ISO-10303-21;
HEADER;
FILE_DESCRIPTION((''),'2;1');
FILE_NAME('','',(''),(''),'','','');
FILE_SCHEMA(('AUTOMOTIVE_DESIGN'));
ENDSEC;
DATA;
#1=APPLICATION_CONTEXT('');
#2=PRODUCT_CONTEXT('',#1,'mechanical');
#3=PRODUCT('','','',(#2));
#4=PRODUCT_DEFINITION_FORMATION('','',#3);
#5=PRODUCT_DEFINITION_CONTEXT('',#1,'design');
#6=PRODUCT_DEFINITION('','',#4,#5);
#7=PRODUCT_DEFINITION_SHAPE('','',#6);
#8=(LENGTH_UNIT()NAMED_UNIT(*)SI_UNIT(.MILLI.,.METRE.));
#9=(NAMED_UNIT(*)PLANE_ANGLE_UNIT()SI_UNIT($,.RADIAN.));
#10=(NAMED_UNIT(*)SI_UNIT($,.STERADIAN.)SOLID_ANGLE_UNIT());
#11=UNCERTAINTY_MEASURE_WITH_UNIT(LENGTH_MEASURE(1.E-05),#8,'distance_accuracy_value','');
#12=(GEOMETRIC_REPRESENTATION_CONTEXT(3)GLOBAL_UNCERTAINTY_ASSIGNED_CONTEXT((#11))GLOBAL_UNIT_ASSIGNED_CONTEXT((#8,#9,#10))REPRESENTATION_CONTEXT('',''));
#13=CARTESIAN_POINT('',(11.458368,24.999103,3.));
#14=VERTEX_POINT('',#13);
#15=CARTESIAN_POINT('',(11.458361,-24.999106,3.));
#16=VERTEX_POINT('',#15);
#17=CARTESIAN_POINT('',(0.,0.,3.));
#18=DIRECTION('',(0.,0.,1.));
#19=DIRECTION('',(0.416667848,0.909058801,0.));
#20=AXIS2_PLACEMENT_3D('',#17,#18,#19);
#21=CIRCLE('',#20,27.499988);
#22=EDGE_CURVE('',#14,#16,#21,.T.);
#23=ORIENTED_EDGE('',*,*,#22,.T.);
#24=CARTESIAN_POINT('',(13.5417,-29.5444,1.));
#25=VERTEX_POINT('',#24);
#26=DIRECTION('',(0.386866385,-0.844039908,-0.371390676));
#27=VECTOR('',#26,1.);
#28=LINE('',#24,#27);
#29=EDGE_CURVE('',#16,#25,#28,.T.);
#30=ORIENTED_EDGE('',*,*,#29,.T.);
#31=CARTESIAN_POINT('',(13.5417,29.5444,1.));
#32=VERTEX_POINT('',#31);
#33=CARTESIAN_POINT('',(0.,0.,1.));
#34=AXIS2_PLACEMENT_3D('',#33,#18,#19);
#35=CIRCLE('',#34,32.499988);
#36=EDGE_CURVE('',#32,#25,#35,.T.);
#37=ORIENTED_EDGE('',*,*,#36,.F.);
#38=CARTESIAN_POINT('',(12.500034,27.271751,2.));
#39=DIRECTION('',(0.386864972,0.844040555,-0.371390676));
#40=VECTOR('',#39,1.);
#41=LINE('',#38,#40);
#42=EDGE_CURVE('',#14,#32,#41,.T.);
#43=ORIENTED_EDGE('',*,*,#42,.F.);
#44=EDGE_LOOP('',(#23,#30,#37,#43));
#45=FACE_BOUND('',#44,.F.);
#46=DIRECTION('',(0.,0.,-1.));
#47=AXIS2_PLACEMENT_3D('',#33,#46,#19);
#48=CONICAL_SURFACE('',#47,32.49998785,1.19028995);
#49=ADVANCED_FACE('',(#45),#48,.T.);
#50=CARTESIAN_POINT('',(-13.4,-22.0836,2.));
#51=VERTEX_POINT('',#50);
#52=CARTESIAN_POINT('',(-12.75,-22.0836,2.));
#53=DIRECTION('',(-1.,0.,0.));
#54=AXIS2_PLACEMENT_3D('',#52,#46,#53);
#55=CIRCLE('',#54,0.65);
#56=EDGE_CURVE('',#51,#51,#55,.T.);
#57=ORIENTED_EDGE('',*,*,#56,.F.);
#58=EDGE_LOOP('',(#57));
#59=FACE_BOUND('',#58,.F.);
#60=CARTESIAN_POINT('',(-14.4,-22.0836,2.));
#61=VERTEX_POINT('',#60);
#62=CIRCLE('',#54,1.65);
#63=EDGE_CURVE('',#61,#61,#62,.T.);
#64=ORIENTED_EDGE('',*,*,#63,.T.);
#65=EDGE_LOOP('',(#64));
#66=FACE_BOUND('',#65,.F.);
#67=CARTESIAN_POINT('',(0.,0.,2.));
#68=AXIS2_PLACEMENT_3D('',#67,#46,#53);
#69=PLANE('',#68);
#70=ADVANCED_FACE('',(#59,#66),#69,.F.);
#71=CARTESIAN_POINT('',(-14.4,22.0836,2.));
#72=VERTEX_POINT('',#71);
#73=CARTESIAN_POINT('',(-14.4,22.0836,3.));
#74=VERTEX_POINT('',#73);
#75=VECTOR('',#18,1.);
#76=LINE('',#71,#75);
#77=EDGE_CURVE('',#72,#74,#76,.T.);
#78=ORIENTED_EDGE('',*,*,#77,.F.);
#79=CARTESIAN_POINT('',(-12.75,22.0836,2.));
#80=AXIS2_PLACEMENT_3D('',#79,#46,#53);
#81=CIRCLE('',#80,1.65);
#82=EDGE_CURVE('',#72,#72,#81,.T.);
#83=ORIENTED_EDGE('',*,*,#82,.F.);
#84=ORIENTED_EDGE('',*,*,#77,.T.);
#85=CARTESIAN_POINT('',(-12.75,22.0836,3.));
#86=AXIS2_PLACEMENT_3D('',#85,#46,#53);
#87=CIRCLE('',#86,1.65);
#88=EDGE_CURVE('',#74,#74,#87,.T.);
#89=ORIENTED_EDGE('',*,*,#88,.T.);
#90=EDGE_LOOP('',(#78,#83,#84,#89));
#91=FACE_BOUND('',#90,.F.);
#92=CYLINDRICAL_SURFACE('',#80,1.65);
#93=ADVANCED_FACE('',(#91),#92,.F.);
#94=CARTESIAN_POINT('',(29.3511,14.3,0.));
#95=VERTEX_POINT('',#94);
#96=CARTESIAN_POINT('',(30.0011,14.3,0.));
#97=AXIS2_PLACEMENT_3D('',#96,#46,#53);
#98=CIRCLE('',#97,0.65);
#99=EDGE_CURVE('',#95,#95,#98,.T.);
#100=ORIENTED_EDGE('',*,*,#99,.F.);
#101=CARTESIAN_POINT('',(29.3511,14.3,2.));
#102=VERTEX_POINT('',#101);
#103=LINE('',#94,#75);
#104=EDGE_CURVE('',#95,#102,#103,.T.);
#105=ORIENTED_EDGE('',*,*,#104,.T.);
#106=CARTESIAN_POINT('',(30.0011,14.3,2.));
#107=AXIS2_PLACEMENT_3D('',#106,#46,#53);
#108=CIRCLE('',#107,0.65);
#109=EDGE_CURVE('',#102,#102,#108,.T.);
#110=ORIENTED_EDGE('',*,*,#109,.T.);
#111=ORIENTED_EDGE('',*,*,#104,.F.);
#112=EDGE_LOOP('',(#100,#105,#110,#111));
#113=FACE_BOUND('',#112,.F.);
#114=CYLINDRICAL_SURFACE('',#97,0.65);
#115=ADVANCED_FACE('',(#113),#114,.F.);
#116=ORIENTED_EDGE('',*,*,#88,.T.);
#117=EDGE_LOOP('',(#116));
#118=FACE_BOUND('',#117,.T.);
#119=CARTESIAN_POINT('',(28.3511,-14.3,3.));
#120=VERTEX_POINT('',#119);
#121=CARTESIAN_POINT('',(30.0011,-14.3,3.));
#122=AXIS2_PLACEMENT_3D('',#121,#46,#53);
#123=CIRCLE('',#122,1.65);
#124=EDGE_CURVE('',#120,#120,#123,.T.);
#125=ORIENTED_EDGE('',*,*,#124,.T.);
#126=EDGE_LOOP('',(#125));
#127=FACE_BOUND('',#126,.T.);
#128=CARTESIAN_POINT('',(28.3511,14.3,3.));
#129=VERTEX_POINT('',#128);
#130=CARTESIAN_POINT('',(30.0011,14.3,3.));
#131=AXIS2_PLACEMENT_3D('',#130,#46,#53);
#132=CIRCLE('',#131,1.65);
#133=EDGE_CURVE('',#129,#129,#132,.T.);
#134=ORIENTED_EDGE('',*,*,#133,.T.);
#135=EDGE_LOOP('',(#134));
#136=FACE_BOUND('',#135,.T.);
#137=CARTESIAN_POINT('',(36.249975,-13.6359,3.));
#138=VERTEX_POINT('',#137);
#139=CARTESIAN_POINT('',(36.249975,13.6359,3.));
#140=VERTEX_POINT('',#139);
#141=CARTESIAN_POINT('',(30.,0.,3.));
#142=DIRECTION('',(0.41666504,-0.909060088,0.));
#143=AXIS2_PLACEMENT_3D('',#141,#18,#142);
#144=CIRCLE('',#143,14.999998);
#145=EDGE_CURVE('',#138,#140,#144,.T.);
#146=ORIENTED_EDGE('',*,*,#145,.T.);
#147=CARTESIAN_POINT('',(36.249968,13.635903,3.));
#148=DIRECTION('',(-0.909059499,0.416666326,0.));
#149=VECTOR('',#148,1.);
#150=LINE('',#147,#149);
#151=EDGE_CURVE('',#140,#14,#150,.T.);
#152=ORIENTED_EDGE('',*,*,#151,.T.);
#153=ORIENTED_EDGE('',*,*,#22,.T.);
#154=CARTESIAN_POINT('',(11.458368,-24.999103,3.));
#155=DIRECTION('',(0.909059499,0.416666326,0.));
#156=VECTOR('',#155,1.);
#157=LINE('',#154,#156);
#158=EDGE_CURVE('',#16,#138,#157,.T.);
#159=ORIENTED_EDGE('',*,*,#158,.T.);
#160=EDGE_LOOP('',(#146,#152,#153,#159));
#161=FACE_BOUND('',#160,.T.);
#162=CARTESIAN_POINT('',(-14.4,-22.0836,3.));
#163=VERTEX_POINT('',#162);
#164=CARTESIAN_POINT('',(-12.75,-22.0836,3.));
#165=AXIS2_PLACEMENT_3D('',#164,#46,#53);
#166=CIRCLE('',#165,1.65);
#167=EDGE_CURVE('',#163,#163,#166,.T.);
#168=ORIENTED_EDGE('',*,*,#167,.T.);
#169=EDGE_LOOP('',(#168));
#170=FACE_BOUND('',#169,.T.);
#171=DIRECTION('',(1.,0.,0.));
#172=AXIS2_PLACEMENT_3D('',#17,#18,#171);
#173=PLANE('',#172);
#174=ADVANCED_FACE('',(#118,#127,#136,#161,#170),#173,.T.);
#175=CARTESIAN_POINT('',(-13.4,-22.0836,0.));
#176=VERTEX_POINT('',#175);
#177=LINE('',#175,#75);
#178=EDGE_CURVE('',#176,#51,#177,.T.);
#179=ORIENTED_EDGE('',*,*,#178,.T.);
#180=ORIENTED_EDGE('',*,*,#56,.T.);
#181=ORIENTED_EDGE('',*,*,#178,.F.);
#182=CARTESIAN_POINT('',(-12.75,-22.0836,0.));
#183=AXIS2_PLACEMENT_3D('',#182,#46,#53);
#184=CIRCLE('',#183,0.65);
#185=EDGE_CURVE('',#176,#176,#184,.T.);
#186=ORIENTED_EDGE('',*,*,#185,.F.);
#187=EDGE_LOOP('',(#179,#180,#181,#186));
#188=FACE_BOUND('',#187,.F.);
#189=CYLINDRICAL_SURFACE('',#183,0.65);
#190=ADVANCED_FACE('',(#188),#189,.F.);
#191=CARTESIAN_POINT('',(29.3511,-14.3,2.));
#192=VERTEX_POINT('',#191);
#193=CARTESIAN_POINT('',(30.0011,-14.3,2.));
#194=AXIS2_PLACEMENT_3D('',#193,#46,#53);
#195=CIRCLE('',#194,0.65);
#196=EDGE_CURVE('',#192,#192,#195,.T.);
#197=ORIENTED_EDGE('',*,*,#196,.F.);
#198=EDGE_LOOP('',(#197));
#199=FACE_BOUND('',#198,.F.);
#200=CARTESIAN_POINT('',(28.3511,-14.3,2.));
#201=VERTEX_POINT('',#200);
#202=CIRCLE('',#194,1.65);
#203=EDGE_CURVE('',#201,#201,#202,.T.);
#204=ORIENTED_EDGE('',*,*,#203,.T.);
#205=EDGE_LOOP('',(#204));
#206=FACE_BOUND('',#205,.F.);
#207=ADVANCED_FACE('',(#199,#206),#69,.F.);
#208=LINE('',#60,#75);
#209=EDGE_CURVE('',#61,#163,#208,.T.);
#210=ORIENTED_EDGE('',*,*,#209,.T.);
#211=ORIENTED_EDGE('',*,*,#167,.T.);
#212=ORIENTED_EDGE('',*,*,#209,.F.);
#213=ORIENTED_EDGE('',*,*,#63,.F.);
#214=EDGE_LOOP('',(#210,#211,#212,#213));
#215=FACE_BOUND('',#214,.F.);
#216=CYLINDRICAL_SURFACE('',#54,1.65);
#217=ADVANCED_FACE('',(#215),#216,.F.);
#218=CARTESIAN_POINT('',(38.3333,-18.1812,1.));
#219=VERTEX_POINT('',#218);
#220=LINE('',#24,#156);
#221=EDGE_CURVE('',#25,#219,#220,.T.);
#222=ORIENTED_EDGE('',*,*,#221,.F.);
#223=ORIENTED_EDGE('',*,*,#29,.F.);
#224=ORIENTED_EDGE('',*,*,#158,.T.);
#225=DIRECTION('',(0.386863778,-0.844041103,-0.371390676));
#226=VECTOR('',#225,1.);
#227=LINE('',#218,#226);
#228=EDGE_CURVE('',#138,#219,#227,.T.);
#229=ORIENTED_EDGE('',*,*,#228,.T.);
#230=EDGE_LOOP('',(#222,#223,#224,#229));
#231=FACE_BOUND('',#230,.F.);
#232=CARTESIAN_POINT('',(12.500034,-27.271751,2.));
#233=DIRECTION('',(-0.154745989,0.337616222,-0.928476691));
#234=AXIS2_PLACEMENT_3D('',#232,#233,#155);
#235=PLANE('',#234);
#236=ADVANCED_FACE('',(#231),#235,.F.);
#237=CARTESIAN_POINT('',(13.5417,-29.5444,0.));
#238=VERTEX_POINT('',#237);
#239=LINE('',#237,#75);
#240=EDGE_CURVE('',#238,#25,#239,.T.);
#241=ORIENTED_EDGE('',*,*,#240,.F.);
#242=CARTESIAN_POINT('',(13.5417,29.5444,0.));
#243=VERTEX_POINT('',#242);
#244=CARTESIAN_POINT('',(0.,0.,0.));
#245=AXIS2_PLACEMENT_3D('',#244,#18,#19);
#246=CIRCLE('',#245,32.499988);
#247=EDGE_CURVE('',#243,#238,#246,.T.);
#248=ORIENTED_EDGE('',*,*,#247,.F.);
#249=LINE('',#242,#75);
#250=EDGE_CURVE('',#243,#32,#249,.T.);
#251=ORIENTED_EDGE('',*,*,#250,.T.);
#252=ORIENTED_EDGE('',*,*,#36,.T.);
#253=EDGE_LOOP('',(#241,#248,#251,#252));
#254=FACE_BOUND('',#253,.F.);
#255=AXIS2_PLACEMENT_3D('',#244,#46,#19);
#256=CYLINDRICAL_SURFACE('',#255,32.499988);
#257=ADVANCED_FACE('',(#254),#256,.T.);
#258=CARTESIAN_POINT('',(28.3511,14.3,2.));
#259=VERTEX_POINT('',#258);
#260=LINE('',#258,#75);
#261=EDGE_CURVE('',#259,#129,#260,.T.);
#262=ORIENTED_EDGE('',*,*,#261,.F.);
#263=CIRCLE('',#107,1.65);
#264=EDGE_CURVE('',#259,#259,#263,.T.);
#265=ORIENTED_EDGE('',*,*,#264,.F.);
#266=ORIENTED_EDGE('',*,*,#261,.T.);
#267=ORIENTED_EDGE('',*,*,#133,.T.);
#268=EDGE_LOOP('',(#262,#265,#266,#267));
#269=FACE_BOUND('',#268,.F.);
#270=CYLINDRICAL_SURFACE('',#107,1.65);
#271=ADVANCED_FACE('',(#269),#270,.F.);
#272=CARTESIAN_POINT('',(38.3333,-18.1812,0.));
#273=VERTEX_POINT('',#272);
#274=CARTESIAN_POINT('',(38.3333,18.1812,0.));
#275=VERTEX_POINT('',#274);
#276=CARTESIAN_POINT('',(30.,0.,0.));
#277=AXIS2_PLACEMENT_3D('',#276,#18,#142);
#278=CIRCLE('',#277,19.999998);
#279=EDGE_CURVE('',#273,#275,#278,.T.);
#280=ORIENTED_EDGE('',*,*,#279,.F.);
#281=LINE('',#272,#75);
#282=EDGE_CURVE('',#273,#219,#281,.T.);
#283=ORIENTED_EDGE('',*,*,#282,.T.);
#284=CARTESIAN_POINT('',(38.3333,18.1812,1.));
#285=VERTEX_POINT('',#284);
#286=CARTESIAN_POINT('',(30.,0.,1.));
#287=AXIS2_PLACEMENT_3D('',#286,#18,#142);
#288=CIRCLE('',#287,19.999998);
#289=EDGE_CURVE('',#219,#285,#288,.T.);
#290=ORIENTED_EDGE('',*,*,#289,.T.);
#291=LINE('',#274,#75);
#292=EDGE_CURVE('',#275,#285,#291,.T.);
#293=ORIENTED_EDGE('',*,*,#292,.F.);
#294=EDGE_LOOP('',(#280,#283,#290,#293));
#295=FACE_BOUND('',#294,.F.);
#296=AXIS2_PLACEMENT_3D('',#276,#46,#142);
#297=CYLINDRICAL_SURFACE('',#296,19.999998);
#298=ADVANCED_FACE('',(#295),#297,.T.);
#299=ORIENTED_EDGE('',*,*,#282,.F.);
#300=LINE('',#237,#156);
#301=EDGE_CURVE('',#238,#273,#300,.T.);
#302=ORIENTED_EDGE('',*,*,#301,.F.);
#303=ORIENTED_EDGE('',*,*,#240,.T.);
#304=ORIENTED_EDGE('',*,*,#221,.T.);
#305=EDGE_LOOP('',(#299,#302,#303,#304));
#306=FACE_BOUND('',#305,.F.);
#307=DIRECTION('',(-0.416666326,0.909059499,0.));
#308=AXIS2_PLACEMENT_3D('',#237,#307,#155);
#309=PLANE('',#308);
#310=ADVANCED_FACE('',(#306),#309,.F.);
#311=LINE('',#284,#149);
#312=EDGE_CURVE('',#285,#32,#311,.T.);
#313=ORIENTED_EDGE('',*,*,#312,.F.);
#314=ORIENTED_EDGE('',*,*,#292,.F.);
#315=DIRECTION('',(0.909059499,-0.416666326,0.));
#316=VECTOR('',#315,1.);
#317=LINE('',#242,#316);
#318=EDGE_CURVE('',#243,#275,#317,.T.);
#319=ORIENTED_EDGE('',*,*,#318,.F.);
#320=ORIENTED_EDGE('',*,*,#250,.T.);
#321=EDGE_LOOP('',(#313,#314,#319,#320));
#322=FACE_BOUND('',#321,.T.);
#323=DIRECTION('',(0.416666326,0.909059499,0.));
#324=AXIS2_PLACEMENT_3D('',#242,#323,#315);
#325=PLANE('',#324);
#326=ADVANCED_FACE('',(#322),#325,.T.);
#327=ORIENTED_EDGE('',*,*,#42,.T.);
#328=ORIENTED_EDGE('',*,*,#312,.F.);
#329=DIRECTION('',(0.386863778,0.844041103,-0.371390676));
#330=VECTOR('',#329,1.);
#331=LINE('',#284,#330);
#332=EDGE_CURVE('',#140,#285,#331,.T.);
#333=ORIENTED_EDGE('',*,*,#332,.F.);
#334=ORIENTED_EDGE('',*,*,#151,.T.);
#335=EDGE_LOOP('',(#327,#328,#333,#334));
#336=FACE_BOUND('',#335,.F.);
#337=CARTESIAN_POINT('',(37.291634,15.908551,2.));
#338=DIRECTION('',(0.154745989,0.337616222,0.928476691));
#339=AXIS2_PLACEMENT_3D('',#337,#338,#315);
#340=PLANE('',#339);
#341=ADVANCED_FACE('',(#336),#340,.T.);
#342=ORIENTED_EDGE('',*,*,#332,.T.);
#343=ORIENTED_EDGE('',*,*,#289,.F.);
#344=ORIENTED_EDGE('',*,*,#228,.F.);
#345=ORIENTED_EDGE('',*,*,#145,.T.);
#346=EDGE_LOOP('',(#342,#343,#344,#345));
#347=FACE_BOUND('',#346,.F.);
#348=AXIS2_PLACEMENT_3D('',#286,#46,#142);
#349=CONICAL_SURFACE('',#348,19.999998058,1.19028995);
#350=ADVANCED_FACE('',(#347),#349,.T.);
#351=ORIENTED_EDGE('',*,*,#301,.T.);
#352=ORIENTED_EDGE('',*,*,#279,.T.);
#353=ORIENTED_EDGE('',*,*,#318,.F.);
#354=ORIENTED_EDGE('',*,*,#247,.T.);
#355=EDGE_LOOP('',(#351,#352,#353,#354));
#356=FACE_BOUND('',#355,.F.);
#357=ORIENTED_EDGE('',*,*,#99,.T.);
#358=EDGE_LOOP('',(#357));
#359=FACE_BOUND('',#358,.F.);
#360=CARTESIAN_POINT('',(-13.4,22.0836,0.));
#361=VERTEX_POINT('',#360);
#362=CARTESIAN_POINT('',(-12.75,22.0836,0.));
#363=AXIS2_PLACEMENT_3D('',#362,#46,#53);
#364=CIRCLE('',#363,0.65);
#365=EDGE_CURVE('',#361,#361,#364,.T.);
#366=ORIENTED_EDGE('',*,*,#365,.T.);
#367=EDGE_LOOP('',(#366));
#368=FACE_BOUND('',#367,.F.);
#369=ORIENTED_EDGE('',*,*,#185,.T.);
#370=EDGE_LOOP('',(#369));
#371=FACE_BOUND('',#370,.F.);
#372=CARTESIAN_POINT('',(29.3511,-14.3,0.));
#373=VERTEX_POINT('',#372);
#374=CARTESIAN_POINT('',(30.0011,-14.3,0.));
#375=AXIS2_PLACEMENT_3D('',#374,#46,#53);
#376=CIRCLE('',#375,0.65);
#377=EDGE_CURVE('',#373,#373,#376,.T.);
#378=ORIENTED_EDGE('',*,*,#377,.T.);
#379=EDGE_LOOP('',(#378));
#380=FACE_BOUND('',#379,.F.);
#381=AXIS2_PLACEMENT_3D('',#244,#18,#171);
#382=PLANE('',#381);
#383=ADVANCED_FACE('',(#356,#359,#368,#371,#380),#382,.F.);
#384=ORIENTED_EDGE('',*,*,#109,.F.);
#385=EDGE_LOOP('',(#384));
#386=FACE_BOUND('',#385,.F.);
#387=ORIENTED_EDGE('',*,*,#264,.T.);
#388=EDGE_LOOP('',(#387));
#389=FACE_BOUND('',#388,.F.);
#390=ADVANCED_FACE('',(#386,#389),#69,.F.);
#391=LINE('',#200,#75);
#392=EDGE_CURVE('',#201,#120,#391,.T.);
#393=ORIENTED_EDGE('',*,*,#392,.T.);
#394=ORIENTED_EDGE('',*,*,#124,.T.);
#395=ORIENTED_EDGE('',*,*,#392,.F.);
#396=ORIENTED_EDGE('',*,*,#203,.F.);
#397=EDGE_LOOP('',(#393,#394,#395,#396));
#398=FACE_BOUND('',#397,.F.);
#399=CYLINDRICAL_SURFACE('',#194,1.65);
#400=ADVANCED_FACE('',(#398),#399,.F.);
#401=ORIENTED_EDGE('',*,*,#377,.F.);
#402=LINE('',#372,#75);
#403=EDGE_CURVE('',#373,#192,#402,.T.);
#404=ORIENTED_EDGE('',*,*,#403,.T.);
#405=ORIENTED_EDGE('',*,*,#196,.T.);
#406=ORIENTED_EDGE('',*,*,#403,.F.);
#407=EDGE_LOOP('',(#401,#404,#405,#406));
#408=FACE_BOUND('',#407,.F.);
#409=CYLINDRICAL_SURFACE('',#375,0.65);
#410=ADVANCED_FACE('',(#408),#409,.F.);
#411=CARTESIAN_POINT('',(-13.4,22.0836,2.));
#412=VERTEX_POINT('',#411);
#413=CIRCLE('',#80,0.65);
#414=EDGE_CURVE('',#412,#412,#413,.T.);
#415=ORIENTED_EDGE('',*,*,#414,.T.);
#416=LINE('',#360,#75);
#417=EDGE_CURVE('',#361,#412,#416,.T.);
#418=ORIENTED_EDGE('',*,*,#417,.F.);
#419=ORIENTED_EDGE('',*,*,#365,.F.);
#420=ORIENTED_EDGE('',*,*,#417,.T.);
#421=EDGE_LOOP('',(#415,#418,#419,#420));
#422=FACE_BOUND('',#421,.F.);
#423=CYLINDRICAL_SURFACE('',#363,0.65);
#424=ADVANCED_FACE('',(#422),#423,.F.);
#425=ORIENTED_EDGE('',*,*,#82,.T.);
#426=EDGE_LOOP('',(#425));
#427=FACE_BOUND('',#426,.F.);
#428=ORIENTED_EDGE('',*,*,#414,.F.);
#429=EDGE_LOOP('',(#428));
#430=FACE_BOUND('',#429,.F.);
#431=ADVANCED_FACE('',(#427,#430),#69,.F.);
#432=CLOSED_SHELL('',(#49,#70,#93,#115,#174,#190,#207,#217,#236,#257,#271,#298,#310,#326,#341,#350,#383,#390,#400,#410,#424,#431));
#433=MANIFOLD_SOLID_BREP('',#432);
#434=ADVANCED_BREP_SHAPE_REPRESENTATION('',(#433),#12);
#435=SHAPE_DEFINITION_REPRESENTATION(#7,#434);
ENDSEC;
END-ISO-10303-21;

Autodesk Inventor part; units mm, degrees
ref_plane "YZ Plane" through (0, 0, 0) normal (1, 0, 0) x (0, 1, 0)
ref_plane "XZ Plane" through (0, 0, 0) normal (0, 1, 0) x (-1, 0, 0)
sketch "Sketch1" plane through (0, 0, 0) normal (0, 0, 1) x (1, 0, 0)
  arc A0 (13.5417, 29.5444) -> (13.5417, -29.5444) centre (0, 0) ccw
  arc A1 (38.3333, -18.1812) -> (38.3333, 18.1812) centre (30, 0) ccw
  line L0 (0, 0) -> (30, 0)
  line L1 (13.5417, 29.5444) -> (38.3333, 18.1812)
  line L2 (13.5417, -29.5444) -> (38.3333, -18.1812)
  dimension "d0" = 65
  dimension "d1" = 40
  dimension "d2" = 30
extrude "Extrusion1" add sketch "Sketch1" along normal blind 3
chamfer "Chamfer1" distance 5 distance2 2 4 edges at (50, 0, 3) (25.9375, 23.8628, 3) (-32.5, 0, 3) (25.9375, -23.8628, 3) measured on face at (-1.7306, 1.2719, 3)
sketch "Sketch2" plane through (0, 0, 0) normal (0, 0, -1) x (-1, 0, 0)
  line L0 (-13.5417, -29.5444) -> (-38.3333, -18.1812) construction
  arc A0 (-13.5417, -29.5444) -> (-13.5417, 29.5444) centre (0, 0) ccw construction
  line L1 (-38.3333, 18.1812) -> (-13.5417, 29.5444) construction
  arc A1 (-38.3333, 18.1812) -> (-38.3333, -18.1812) centre (-30, 0) ccw construction
  arc A2 (-10.625, -23.181) -> (-10.625, 23.181) centre (0, 0) ccw construction
  line L2 (-10.625, -23.181) -> (-35.4167, -11.8178) construction
  arc A3 (-35.4167, 11.8178) -> (-35.4167, -11.8178) centre (-30, 0) ccw construction
  line L3 (-35.4167, 11.8178) -> (-10.625, 23.181) construction
  line L4 (0, 0) -> (12.75, 22.0836) construction
  line L5 (0, 0) -> (12.75, -22.0836) construction
  circle A4 centre (-30.0011, 14.3) radius 0.65
  circle A5 centre (-30.0011, -14.3) radius 0.65
  circle A6 centre (12.75, -22.0836) radius 0.65
  circle A7 centre (12.75, 22.0836) radius 0.65
  line L6 (0, 0) -> (25.5, 0) construction
  dimension "d8" = 7
  dimension "d11" = 1.3
  dimension "d12" = 1.3
  dimension "d13" = 1.3
  dimension "d14" = 1.3
  dimension "d25" = 13
  dimension "d26" = 14.3
  dimension "d27" = 14.3
  dimension "d28" = 120
  dimension "d29" = 60
extrude "Extrusion2" cut sketch "Sketch2" against normal blind 10
ref_plane "Work Plane1" through (0, 0, 2) normal (0, 0, -1) x (-1, 0, 0)
sketch "Sketch3" plane through (0, 0, 2) normal (0, 0, -1) x (-1, 0, 0)
  circle A0 centre (12.75, -22.0836) radius 0.65 projected
  circle A1 centre (-30.0011, -14.3) radius 0.65 projected
  circle A2 centre (12.75, 22.0836) radius 0.65 projected
  circle A3 centre (-30.0011, 14.3) radius 0.65 projected
  line L0 (-13.5417, -29.5444) -> (-38.3333, -18.1812) projected
  arc A4 (-13.5417, -29.5444) -> (-13.5417, 29.5444) centre (0, 0) ccw projected
  line L1 (-38.3333, 18.1812) -> (-13.5417, 29.5444) projected
  arc A5 (-38.3333, 18.1812) -> (-38.3333, -18.1812) centre (-30, 0) ccw projected
  circle A6 centre (-30.0011, 14.3) radius 1.65
  circle A7 centre (-30.0011, -14.3) radius 1.65
  circle A8 centre (12.75, -22.0836) radius 1.65
  circle A9 centre (12.75, 22.0836) radius 1.65
  dimension "d18" = 3.3
  dimension "d19" = 3.3
  dimension "d20" = 3.3
  dimension "d21" = 3.3
extrude "Extrusion3" cut sketch "Sketch3" against normal blind 10 contours A0 | A1 | A2 | A3 | A6 | A7 | A8 | A9
properties part number "Wirst_2R_cover"
